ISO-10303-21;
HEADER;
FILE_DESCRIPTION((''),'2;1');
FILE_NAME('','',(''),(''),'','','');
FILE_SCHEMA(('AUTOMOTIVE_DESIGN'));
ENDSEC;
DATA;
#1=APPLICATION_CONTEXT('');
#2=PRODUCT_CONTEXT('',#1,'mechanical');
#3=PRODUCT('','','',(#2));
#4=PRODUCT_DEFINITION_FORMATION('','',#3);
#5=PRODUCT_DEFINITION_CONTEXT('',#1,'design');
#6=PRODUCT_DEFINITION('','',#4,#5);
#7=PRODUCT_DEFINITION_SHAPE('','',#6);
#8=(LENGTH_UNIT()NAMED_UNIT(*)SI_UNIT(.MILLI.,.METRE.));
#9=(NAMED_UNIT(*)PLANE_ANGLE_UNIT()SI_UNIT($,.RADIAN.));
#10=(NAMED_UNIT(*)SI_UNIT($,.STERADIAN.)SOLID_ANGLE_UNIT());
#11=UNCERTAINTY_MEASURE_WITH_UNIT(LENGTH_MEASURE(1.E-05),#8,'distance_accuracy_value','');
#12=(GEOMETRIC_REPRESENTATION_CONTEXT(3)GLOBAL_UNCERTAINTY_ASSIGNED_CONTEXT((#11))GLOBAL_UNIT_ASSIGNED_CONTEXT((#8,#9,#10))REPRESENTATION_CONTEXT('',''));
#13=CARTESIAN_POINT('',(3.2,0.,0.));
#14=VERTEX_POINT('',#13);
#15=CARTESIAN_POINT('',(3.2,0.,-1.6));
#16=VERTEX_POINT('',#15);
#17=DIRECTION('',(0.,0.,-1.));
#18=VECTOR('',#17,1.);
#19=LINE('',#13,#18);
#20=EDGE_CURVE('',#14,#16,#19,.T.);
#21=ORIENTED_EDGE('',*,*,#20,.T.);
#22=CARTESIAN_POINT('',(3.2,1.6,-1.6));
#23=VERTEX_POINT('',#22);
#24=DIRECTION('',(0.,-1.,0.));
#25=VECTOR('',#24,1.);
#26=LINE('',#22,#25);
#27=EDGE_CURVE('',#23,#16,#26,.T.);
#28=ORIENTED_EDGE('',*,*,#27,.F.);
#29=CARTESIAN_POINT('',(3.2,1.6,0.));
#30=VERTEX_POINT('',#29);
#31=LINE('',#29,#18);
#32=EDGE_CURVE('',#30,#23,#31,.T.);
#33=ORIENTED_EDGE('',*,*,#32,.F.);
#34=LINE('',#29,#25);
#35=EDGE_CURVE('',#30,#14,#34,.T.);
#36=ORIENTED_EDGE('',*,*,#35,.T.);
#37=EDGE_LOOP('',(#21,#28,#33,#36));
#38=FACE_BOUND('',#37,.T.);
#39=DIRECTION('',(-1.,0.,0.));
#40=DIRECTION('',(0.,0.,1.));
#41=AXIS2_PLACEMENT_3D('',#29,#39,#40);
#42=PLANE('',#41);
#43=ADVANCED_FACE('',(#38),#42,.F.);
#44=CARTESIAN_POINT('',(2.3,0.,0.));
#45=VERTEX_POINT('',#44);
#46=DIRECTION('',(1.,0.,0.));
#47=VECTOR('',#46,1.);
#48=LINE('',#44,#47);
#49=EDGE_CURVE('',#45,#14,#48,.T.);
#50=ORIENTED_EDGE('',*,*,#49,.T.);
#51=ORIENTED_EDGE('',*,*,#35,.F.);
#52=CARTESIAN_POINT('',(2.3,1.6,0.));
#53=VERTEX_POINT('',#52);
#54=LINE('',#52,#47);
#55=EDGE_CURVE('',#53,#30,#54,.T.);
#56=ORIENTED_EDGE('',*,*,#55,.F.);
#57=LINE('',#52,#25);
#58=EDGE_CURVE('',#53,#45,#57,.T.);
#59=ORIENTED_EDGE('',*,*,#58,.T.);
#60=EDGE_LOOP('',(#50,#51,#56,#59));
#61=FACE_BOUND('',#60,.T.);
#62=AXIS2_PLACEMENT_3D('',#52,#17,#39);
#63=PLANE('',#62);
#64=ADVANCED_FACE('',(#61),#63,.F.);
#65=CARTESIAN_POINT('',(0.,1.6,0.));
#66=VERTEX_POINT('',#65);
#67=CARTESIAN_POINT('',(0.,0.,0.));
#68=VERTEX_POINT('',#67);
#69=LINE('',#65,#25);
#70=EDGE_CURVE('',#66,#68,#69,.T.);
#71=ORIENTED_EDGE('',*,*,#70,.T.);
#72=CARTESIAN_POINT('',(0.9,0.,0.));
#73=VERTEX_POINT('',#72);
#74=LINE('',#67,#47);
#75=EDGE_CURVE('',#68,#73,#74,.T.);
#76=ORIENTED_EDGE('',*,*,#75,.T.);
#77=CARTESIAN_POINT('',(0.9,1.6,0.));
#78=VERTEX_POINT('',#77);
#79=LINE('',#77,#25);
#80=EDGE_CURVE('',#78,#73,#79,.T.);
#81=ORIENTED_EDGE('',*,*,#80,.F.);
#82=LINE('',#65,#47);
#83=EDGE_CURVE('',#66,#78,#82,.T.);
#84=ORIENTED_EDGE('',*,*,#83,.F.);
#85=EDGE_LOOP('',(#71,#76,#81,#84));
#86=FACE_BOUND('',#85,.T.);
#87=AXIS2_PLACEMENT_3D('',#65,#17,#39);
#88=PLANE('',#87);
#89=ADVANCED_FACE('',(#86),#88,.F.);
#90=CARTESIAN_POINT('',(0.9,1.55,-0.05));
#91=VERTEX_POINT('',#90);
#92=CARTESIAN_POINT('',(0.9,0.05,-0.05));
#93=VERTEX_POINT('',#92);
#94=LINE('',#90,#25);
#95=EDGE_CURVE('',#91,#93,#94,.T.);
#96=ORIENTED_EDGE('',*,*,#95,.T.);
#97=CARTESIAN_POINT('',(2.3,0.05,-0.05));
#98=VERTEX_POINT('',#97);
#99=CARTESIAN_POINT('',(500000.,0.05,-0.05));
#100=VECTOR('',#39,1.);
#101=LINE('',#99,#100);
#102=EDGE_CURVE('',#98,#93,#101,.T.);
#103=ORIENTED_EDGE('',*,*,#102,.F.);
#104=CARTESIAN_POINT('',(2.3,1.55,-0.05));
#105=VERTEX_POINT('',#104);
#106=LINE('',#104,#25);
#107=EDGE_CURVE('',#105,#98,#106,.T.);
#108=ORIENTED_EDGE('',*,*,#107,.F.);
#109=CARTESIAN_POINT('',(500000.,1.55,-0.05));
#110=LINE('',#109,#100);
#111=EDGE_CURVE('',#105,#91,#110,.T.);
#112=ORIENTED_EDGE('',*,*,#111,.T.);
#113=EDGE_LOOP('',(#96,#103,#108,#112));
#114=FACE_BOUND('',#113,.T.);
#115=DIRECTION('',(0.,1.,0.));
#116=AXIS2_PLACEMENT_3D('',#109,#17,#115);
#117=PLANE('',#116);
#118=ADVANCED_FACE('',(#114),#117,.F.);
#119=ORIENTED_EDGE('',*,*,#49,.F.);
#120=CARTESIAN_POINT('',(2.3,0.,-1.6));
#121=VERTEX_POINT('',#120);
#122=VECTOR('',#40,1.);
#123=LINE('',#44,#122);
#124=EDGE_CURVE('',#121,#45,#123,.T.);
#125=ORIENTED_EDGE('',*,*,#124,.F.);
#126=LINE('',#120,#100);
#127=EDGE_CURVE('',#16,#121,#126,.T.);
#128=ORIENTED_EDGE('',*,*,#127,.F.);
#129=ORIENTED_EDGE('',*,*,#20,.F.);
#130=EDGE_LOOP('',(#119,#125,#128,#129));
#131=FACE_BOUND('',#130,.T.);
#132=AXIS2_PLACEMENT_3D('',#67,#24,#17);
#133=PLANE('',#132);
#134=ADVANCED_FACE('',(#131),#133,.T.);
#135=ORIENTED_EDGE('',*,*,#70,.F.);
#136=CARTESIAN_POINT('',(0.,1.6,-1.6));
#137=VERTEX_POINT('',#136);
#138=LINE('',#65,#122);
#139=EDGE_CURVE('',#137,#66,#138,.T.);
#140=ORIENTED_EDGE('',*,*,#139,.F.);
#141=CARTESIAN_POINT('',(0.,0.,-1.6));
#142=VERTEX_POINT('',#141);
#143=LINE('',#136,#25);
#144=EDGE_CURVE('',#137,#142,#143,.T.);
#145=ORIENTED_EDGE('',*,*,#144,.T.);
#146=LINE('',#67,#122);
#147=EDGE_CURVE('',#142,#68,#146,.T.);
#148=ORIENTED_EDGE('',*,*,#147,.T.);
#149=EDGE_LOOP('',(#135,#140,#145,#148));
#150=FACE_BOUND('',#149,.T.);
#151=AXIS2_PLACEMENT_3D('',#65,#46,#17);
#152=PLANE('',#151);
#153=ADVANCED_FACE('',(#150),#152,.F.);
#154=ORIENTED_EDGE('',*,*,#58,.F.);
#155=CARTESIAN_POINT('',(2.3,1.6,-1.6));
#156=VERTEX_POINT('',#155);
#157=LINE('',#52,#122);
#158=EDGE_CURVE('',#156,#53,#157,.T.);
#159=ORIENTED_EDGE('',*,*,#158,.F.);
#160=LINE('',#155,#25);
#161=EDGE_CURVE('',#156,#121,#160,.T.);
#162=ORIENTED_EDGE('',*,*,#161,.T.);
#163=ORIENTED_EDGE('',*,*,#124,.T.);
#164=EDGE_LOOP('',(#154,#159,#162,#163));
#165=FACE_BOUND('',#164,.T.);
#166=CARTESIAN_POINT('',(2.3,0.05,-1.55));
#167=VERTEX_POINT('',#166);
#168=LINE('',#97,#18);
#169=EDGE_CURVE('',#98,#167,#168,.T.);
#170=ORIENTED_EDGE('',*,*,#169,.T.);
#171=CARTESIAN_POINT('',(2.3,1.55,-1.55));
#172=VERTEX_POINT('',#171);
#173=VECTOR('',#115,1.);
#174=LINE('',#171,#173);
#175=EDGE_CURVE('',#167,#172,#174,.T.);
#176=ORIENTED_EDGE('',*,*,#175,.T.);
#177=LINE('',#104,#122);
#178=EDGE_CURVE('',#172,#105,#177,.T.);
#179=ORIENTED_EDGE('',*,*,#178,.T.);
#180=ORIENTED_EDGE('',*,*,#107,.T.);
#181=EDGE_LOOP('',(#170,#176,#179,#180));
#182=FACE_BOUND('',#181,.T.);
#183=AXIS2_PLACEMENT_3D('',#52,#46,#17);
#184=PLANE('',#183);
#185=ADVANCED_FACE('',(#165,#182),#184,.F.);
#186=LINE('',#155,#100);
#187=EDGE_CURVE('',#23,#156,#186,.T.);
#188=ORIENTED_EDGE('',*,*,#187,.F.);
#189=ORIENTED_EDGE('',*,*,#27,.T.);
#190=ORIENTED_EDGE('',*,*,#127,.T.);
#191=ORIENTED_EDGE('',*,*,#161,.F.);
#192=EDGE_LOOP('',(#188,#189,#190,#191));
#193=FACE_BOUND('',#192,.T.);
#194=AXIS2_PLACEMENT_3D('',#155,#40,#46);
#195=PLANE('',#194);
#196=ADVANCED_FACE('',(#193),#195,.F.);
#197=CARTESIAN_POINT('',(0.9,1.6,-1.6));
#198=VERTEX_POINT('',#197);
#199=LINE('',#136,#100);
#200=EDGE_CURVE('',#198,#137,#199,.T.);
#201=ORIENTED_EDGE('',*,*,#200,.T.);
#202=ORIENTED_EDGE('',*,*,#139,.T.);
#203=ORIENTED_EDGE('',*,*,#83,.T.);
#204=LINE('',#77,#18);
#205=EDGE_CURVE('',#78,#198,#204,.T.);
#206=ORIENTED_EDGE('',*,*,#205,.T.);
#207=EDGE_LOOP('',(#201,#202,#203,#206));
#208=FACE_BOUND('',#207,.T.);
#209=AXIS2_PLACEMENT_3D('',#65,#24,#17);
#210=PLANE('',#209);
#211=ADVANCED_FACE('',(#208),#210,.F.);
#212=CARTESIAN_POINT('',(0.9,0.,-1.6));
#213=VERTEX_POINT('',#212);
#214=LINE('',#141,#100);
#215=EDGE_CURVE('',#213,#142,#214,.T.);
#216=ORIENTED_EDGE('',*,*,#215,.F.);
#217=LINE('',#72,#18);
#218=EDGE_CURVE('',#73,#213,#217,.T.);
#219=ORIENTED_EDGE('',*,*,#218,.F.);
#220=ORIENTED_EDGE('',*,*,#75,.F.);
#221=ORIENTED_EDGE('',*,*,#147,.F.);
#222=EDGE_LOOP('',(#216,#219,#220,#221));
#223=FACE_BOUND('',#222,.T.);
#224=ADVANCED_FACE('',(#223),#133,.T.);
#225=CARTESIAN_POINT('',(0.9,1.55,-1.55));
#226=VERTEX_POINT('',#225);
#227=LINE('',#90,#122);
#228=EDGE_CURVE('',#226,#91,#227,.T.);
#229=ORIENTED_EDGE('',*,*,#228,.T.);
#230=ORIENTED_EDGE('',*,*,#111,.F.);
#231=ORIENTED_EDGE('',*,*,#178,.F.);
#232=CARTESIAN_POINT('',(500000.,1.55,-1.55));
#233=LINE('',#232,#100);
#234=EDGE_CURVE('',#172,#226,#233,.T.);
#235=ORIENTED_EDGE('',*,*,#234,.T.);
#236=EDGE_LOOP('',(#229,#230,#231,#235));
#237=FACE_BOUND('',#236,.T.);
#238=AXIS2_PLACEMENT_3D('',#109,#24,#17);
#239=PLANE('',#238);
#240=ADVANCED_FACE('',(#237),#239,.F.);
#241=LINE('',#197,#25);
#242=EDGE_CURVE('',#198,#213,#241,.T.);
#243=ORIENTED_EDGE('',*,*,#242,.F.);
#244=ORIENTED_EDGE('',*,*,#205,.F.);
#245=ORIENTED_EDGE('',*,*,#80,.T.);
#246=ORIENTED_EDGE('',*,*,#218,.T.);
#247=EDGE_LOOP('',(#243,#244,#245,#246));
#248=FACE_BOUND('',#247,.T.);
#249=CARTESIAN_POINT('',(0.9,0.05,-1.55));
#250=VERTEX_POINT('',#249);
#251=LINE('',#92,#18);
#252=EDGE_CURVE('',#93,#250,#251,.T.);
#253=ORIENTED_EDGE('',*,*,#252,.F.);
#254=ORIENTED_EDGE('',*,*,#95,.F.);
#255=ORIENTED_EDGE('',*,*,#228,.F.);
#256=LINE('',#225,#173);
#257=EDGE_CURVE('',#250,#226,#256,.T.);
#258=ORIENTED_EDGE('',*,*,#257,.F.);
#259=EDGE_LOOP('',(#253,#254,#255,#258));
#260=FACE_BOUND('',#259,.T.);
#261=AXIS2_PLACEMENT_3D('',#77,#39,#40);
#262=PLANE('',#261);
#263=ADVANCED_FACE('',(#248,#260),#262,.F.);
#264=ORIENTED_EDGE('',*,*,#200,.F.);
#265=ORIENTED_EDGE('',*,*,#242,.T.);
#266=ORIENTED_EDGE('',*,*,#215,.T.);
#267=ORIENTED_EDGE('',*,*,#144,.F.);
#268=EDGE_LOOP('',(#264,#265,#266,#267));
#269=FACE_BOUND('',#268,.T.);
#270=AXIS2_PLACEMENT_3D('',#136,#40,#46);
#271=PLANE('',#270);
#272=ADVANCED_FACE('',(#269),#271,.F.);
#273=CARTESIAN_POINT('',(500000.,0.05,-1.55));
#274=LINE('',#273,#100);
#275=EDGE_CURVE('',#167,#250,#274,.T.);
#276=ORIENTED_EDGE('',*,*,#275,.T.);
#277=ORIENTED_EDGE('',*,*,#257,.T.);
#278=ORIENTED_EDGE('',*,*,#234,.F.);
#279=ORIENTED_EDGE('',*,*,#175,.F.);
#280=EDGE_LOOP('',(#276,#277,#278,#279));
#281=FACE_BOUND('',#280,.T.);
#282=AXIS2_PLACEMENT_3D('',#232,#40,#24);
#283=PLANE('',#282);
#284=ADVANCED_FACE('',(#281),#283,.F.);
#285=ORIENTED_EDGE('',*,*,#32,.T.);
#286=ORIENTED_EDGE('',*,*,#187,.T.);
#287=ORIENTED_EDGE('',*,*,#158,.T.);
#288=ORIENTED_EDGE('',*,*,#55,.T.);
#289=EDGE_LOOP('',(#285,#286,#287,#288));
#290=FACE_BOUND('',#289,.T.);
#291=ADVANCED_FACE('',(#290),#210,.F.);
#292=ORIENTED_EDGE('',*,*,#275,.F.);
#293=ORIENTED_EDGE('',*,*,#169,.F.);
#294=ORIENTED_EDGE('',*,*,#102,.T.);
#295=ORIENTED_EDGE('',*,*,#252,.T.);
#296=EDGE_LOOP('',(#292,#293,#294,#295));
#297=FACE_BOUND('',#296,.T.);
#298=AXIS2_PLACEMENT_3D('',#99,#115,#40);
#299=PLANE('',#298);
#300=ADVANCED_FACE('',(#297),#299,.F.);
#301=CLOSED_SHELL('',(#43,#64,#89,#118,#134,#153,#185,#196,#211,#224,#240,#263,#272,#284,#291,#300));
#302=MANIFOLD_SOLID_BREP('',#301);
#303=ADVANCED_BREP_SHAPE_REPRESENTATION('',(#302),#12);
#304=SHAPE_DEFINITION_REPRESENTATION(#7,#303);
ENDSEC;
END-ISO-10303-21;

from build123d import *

# Parameters (mm, degrees)
SKETCH1_W             = 0.9
SKETCH1_H             = 1.6
BOSS_EXTRUDE1_DEPTH   = 1.6
BOSS_EXTRUDE1_2_DEPTH = 1.6
BOSS_EXTRUDE2_REACH   = 5.226
SKETCH2_W             = 1.5
SKETCH2_H             = 1.5


with BuildPart() as part:
    # Sketch1 → Boss-Extrude1 (new body)
    with BuildSketch(Plane(origin=(0, 0, 0), x_dir=(1, 0, 0), z_dir=(0, 1, 0))):
        with Locations((0.45, 0.8)):
            Rectangle(SKETCH1_W, SKETCH1_H)
    extrude(amount=BOSS_EXTRUDE1_DEPTH)


with BuildPart() as body_2:
    # Sketch1 → Boss-Extrude1 2 (new body)
    with BuildSketch(Plane(origin=(0, 0, 0), x_dir=(1, 0, 0), z_dir=(0, 1, 0))):
        with Locations((2.75, 0.8)):
            Rectangle(SKETCH1_W, SKETCH1_H)
    extrude(amount=BOSS_EXTRUDE1_2_DEPTH)

    # Sketch2 → Boss-Extrude2 (add, up to next)
    with BuildSketch(Plane(origin=(0.9, 0, 0), x_dir=(0, 0, -1), z_dir=(1, 0, 0)), mode=Mode.PRIVATE) as boss_extrude2_sk1:
        with Locations((0.8, 0.8)):
            Rectangle(SKETCH2_W, SKETCH2_H)
    boss_extrude2_tool1 = extrude(boss_extrude2_sk1.sketch, amount=BOSS_EXTRUDE2_REACH, mode=Mode.PRIVATE) - body_2.part

    add(part.part)  # Boss-Extrude2 merges part
    add(boss_extrude2_tool1.solids().sort_by_distance((0.9, 0.8, -0.8))[0])


solid = body_2.part
